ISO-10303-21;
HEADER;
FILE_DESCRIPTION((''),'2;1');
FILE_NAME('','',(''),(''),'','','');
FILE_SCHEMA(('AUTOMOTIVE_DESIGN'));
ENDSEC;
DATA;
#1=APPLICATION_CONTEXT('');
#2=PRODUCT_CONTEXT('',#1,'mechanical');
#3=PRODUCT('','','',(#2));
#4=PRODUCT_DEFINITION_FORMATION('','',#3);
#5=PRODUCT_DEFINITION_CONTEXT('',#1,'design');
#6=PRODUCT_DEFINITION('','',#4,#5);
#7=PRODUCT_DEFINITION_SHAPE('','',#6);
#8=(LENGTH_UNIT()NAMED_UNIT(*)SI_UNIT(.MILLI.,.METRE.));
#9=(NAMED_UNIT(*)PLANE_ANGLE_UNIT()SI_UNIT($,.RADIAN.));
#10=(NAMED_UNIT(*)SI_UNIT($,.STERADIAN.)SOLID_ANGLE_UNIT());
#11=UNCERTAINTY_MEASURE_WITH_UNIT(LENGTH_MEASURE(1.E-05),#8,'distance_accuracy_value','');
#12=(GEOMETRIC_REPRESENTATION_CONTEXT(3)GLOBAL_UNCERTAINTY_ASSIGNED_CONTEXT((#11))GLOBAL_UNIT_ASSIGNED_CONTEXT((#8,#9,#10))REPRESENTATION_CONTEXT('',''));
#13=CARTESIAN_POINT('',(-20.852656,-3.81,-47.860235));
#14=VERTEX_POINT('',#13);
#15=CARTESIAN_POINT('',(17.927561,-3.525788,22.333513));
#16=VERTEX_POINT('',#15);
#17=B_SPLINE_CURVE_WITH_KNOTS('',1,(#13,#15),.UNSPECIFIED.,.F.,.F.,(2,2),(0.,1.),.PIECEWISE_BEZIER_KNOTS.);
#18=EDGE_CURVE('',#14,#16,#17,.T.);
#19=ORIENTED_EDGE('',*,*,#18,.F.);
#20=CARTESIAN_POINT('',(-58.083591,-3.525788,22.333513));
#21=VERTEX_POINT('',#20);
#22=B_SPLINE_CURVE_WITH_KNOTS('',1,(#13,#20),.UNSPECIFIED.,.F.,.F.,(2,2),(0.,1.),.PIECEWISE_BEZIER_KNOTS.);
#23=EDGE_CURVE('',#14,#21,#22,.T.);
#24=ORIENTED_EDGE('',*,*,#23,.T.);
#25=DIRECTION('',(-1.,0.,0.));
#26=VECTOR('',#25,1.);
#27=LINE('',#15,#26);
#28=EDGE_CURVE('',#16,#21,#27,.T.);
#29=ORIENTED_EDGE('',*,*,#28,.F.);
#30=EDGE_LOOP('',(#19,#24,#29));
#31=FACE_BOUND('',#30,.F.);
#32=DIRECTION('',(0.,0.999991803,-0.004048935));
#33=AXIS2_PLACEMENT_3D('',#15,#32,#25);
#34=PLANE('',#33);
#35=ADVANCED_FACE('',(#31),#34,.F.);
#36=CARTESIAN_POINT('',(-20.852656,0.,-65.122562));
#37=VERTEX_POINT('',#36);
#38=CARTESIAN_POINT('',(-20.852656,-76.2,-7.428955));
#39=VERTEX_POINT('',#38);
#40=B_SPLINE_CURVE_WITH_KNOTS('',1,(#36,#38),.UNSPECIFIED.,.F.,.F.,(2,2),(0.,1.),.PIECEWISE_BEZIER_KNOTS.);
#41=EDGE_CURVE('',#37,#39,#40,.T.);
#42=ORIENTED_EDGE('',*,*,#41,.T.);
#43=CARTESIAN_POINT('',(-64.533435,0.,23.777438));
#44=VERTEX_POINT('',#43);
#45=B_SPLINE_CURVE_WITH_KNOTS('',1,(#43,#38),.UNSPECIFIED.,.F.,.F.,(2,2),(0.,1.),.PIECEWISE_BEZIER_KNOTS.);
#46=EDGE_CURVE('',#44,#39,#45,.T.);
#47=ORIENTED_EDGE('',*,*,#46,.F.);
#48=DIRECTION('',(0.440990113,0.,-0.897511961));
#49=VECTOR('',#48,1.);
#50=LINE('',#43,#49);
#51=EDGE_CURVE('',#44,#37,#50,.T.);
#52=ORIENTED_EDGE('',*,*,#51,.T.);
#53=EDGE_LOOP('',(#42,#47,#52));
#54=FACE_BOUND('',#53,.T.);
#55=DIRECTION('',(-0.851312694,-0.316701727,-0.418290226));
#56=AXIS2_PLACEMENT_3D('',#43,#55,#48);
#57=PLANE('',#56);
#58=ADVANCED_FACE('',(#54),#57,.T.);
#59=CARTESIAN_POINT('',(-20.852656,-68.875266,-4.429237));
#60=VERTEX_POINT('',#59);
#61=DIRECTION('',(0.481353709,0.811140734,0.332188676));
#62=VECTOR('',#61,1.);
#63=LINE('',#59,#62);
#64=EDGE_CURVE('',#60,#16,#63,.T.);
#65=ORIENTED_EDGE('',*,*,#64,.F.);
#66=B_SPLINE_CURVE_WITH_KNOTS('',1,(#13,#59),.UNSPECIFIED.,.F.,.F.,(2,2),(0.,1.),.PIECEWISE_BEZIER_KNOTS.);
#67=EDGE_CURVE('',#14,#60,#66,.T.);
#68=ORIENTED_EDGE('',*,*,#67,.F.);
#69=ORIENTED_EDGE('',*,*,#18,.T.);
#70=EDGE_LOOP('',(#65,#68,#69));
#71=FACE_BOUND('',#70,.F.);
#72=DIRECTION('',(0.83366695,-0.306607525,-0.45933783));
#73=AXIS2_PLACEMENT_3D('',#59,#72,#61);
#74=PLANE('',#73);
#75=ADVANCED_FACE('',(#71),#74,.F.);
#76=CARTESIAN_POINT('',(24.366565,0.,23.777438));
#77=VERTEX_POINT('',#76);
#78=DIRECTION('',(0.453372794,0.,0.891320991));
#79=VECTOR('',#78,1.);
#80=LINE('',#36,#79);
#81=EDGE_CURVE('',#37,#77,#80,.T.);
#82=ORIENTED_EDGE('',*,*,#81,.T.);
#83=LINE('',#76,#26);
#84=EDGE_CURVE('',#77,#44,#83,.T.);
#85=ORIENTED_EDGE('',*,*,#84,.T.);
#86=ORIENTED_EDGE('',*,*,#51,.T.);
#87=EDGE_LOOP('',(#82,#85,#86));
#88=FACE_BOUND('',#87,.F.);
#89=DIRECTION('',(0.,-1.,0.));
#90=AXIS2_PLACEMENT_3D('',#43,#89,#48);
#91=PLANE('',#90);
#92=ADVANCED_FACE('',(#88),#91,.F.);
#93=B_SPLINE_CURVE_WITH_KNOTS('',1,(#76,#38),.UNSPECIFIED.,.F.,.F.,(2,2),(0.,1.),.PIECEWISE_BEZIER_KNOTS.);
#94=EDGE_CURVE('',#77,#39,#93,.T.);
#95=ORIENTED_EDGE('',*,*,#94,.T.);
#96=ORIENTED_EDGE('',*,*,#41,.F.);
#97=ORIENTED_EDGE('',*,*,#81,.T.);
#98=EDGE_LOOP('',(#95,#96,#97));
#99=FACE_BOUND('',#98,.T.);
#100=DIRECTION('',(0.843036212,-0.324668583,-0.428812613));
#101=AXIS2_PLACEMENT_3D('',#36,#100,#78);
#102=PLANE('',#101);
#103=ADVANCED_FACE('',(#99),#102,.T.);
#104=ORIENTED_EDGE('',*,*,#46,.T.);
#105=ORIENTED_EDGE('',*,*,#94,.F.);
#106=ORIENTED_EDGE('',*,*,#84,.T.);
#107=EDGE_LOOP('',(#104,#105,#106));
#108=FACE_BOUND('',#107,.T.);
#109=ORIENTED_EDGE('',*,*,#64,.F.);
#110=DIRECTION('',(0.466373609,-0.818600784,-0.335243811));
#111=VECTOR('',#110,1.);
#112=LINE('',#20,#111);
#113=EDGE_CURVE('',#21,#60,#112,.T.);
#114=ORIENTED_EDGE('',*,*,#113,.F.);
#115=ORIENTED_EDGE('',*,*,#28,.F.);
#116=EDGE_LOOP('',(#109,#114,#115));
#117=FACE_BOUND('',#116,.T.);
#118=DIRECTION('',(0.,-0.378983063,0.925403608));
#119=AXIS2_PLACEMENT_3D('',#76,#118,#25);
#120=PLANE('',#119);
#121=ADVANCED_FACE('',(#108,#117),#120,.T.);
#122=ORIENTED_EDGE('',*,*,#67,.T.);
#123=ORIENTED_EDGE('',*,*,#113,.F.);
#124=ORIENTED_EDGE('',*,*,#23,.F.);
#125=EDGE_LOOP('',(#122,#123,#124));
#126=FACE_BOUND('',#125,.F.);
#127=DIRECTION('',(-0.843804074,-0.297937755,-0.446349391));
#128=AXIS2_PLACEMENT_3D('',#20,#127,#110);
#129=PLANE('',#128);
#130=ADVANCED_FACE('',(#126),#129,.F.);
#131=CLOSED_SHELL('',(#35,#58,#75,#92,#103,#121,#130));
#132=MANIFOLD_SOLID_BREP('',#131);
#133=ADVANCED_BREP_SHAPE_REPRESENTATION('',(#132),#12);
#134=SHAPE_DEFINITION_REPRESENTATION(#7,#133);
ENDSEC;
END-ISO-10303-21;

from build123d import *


with BuildPart() as f3:
    # F0 (on Front) → F3 section 0
    with BuildSketch(Plane.XZ, mode=Mode.PRIVATE) as f3_s0:
        Polygon((-64.5334348083, 23.7774383277), (-20.8526563972, -65.1225616723), (24.3665651917, 23.7774383277), align=None)
    loft([f3_s0.sketch, Vertex(-20.8526563972, -76.2, -7.4289554362)])

    # F4 (on face) → F7 section 0
    with BuildSketch(Plane(origin=(0, -8.3390399366, 20.3623285656), x_dir=(1, 0, 0), z_dir=(0, -0.3789830628, 0.9254036082)), mode=Mode.PRIVATE) as f7_s0:
        Polygon((17.9275607925, 5.2012464038), (-58.083590823, 5.2012464038), (-20.8526563972, -65.4160258211), align=None)
    loft([Vertex(-20.8526563972, -3.81, -47.8602349758), f7_s0.sketch], mode=Mode.SUBTRACT)


solid = f3.part
